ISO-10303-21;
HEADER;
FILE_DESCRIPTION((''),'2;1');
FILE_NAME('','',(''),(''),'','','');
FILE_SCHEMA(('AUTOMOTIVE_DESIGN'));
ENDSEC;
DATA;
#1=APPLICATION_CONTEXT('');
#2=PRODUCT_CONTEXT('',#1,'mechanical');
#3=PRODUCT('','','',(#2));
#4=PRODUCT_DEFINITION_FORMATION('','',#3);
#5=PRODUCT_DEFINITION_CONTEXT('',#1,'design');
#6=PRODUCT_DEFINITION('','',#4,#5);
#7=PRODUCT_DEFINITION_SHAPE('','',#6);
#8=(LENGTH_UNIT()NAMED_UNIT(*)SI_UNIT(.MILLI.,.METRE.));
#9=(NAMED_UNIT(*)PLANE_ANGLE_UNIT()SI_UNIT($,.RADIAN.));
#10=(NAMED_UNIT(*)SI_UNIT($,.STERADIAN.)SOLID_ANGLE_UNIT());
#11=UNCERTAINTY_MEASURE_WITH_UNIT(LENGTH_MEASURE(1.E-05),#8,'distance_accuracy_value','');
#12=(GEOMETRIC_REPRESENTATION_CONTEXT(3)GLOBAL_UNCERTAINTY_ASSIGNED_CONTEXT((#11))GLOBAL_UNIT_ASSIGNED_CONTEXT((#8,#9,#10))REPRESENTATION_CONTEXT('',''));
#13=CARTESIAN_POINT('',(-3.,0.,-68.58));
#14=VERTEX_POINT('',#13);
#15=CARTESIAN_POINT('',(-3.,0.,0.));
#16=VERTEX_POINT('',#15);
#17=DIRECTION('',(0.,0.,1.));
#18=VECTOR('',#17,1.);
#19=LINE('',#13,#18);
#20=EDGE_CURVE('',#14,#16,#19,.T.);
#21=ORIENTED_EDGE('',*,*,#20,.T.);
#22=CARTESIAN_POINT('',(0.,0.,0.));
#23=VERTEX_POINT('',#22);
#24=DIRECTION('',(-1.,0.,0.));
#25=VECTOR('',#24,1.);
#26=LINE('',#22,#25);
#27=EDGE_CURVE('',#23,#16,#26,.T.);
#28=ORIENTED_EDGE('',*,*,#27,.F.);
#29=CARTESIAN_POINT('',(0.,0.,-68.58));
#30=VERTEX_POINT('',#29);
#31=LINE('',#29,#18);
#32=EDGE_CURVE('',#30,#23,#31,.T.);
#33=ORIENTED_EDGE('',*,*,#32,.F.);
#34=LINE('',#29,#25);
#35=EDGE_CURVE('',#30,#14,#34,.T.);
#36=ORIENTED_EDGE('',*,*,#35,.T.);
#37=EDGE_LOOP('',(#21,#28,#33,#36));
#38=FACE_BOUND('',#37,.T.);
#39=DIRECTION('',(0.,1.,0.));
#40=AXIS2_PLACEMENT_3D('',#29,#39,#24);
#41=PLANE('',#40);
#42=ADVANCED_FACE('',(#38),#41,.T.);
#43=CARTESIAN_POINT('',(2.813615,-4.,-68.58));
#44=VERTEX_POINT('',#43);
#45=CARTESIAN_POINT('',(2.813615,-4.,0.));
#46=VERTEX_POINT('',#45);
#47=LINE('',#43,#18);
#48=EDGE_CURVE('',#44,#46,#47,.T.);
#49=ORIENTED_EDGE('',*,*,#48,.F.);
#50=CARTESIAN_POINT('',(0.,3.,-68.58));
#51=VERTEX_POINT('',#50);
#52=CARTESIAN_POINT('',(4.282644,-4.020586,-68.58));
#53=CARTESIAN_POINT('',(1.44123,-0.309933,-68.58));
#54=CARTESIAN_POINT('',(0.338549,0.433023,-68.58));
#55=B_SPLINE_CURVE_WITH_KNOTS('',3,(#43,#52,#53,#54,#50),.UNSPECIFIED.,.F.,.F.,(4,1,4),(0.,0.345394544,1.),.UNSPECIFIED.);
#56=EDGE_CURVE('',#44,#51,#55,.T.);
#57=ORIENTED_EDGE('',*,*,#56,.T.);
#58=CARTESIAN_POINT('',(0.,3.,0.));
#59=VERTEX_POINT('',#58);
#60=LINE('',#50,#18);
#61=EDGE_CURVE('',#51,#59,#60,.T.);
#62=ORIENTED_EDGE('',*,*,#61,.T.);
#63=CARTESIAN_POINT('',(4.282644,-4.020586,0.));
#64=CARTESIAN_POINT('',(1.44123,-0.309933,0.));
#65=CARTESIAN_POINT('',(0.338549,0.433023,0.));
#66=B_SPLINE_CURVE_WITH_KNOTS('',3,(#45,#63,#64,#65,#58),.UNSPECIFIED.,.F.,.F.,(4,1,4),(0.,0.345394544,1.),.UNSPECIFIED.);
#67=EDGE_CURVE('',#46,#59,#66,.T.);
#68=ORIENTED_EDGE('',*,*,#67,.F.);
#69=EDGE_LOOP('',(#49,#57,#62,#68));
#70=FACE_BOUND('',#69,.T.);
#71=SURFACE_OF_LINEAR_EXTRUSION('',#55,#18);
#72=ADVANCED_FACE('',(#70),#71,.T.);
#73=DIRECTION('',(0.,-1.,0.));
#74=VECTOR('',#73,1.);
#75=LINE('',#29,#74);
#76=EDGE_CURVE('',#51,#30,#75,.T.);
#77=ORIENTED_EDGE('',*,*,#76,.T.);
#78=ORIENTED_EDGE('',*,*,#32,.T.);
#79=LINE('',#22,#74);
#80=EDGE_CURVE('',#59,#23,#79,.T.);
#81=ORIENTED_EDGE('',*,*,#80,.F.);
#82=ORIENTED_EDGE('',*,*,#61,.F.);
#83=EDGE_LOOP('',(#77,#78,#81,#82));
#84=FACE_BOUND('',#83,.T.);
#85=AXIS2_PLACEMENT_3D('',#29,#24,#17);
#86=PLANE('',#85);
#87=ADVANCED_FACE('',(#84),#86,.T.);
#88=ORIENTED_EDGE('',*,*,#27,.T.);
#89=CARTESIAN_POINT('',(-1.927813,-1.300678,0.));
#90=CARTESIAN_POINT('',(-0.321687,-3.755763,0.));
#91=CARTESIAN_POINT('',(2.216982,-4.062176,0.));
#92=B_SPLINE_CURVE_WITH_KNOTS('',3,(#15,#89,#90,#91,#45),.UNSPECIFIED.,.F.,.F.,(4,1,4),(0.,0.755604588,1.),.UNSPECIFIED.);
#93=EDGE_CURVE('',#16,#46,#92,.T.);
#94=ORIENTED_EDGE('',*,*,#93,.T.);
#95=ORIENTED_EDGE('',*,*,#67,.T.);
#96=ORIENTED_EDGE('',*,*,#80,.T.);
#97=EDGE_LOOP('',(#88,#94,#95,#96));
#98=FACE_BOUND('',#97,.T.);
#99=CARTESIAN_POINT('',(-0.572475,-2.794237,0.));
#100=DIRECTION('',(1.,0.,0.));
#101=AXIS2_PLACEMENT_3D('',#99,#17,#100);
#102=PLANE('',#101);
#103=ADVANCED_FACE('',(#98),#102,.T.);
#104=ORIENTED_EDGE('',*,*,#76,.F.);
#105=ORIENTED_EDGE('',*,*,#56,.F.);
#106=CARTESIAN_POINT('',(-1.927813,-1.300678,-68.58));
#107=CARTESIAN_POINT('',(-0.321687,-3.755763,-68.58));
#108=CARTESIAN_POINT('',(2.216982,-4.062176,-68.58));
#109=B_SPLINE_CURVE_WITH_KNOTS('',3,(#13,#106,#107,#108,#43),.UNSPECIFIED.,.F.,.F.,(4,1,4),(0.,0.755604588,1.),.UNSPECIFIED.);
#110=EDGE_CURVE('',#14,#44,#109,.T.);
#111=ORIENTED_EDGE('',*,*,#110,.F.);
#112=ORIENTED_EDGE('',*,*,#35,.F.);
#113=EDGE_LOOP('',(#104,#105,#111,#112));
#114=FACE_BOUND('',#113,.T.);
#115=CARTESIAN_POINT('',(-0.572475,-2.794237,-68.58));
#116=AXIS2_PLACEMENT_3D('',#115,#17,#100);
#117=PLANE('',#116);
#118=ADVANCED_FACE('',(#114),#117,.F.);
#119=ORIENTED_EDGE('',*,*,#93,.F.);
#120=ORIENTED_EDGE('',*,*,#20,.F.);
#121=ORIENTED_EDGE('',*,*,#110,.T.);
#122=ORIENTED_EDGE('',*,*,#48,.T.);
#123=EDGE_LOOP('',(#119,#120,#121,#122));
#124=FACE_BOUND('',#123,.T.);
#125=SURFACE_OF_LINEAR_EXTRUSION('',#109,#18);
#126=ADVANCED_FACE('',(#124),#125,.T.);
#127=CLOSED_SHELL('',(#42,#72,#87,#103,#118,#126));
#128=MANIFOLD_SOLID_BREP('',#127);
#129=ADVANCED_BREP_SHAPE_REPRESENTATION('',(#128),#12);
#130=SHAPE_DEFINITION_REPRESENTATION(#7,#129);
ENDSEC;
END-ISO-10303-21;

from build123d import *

# Parameters (mm, degrees)
BOSS_EXTRUDE1_DEPTH = 68.58


with BuildPart() as part:
    # Sketch2 → Boss-Extrude1 (new body)
    with BuildSketch(Plane.XY):
        with BuildLine():
            Line((0, 0), (0, 3))
            add(Edge.make_bspline(
                [(2.813614935, -4), (4.282644072, -4.020586248), (1.441229709, -0.309933447), (0.338549253, 0.433022709), (0, 3)],
                knots=[0, 0, 0, 0, 0.345394544, 1, 1, 1, 1], degree=3))
            add(Edge.make_bspline(
                [(-3, 0), (-1.927812511, -1.300677759), (-0.321687318, -3.75576279), (2.216982297, -4.062175657), (2.813614935, -4)],
                knots=[0, 0, 0, 0, 0.755604588, 1, 1, 1, 1], degree=3))
            Line((-3, 0), (0, 0))
        make_face()
    extrude(amount=-BOSS_EXTRUDE1_DEPTH)


solid = part.part
